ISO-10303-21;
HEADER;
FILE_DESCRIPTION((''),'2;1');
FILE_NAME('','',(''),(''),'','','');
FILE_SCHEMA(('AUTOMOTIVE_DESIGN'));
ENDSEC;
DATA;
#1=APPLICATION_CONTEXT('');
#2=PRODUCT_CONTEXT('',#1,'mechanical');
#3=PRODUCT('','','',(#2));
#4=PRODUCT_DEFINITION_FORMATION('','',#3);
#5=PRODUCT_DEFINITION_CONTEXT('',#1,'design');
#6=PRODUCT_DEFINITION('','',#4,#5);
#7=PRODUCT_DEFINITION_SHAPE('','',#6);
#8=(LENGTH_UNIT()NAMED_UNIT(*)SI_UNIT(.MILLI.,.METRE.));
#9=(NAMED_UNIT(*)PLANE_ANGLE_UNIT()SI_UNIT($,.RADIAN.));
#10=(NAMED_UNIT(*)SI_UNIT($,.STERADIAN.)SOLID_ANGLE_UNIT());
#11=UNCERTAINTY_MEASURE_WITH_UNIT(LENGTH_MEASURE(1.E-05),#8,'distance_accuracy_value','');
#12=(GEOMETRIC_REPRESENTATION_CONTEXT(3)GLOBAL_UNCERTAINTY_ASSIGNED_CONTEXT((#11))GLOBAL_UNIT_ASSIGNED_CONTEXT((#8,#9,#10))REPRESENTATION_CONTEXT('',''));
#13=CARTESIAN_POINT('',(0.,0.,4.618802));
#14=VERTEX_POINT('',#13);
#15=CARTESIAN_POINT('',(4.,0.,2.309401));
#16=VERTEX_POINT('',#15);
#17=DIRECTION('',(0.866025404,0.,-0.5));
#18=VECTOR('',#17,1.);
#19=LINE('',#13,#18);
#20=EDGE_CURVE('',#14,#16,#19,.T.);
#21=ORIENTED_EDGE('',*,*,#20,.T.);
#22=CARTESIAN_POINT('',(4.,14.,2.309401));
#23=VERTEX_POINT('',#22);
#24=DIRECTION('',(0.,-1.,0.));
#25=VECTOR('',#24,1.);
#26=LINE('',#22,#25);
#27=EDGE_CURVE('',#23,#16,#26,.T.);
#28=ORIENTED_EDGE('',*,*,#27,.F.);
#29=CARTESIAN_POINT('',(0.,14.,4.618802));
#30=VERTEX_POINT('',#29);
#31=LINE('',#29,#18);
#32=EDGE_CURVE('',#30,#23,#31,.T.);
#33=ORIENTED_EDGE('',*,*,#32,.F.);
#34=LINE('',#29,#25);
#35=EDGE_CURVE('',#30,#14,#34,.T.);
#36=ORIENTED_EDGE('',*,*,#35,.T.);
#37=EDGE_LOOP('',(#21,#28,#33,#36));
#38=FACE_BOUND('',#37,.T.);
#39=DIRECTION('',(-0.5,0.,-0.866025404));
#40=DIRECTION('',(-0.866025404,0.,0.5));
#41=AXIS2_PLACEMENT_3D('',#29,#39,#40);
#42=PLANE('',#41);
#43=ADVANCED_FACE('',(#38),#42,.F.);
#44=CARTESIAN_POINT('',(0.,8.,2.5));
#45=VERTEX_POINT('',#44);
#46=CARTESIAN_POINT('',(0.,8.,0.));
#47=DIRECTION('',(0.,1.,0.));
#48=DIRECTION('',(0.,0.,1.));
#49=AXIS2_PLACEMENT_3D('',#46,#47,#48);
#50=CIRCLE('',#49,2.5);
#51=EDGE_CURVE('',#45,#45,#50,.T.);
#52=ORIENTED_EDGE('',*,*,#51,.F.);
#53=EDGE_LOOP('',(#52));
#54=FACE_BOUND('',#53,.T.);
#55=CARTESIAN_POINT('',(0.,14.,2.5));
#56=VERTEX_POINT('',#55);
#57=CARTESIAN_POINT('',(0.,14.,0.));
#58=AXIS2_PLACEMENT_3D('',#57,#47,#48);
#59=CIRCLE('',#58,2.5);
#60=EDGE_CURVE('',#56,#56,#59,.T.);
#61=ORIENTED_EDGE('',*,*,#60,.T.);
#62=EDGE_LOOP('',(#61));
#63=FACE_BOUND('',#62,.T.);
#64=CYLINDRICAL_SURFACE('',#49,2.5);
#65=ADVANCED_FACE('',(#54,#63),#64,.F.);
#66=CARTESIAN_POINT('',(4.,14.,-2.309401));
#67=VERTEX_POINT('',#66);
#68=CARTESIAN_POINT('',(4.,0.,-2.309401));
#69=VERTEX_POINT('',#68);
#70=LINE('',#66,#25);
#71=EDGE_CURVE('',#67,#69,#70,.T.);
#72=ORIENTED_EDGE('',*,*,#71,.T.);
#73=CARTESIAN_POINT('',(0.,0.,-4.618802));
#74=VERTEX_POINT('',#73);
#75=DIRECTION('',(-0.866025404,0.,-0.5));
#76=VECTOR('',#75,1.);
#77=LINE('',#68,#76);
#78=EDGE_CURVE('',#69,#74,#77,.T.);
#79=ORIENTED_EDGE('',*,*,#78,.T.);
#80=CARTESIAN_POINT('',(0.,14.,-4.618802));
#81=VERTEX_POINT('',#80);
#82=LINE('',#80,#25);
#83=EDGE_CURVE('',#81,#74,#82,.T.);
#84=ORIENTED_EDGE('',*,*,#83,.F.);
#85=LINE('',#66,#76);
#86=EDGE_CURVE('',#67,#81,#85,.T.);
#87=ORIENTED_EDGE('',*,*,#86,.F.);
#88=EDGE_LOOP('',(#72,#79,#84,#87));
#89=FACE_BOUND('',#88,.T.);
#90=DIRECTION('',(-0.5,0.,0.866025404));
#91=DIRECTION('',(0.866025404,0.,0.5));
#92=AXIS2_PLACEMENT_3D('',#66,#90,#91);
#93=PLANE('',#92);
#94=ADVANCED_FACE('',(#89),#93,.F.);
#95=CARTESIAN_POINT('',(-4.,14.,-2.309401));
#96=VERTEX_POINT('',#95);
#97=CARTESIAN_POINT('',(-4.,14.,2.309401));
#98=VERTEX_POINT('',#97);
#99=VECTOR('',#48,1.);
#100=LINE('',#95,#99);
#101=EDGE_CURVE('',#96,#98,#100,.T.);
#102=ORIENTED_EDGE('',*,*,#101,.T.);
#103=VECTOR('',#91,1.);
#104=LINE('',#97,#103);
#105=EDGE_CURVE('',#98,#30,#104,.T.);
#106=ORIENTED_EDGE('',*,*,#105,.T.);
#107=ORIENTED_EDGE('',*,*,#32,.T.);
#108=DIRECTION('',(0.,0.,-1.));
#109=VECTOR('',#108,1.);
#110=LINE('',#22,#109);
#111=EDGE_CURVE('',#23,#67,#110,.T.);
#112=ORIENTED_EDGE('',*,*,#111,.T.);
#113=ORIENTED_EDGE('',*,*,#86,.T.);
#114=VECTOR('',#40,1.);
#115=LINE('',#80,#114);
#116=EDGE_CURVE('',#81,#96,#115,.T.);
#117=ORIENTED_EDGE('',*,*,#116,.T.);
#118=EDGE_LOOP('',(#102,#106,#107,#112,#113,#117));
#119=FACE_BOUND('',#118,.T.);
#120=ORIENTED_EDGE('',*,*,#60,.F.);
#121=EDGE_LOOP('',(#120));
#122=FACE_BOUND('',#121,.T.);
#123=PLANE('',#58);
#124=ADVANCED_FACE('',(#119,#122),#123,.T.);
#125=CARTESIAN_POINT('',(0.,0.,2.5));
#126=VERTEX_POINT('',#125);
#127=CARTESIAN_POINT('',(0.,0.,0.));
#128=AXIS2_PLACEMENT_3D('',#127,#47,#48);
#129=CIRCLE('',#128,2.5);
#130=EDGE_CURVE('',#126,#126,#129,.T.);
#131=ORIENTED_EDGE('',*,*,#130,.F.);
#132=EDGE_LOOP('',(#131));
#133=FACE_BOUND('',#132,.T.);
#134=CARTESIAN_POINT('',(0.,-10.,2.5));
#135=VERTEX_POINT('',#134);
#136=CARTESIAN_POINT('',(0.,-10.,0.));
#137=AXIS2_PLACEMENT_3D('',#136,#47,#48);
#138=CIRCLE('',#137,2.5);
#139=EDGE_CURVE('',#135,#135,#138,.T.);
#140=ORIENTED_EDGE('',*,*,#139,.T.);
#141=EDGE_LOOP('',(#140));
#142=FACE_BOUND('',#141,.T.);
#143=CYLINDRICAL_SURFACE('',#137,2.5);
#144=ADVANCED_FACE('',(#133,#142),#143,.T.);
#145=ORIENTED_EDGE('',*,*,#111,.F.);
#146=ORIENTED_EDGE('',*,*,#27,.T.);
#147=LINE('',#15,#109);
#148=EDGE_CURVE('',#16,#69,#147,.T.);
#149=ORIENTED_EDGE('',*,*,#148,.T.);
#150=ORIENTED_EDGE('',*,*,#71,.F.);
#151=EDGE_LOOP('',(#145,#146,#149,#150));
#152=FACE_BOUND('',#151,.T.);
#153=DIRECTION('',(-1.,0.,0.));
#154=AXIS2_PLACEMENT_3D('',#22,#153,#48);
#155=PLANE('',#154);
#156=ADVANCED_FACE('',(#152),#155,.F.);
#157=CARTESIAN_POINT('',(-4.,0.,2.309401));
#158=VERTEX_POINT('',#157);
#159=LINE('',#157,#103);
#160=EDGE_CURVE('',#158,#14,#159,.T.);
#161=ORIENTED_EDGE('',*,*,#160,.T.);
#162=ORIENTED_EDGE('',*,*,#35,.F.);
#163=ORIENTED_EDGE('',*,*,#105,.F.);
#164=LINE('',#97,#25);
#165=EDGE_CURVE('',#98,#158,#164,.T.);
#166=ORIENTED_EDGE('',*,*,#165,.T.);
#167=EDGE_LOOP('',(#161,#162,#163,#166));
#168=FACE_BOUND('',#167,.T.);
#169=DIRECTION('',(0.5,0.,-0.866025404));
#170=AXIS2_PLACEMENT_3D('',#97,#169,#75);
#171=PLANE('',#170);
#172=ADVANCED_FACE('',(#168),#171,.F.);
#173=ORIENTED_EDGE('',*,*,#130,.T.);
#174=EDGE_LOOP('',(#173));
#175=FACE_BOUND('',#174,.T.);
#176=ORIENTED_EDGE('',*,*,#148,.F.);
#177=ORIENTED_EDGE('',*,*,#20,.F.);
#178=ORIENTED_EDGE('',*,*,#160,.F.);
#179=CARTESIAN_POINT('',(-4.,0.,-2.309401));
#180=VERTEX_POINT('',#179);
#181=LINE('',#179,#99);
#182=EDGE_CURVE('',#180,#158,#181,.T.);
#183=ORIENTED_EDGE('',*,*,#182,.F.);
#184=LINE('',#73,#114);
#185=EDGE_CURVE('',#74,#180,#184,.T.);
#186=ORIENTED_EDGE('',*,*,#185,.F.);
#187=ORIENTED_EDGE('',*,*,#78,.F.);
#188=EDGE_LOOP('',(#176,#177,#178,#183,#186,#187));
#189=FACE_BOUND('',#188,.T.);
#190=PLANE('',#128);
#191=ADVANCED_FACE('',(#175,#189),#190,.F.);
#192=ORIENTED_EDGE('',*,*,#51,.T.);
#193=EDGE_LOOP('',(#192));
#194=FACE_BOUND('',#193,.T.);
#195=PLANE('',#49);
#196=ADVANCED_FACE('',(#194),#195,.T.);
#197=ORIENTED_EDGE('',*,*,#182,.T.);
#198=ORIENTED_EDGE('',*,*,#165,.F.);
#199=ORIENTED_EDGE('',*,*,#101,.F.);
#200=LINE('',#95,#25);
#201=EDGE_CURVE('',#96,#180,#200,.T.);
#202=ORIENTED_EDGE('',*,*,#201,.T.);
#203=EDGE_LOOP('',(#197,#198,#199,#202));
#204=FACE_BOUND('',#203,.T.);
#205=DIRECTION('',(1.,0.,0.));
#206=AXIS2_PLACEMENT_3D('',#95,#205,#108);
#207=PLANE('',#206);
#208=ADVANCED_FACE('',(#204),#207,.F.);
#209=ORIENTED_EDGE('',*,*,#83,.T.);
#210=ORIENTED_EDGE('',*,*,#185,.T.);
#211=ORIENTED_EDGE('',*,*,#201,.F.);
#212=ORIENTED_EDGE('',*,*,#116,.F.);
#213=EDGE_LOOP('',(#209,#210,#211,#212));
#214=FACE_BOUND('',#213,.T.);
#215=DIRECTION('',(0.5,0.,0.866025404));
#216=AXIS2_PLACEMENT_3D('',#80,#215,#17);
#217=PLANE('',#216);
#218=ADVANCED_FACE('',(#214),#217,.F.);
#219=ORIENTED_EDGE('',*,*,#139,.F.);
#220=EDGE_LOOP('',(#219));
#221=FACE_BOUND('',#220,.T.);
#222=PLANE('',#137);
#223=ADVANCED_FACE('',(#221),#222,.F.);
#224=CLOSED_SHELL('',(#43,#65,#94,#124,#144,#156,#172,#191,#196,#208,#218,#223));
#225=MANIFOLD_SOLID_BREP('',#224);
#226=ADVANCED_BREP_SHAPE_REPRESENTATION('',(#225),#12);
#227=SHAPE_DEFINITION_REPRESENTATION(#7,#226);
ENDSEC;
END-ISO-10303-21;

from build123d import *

# Parameters (mm, degrees)
BOSS_EXTRUDE1_DEPTH = 14
SKETCH1_3_R         = 2.5
BOSS_EXTRUDE2_DEPTH = 10
SKETCH3_R           = 2.5
CUT_EXTRUDE1_DEPTH  = 6


with BuildPart() as part:
    # Sketch1 → Boss-Extrude1 (new body)
    with BuildSketch(Plane(origin=(0, 0, 0), x_dir=(1, 0, 0), z_dir=(0, 1, 0))):
        Polygon((0, 4.618802154), (-4, 2.309401077), (-4, -2.309401077), (0, -4.618802154), (4, -2.309401077), (4, 2.309401077), align=None)
    extrude(amount=BOSS_EXTRUDE1_DEPTH)

    # Sketch1<3> → Boss-Extrude2 (add)
    with BuildSketch(Plane(origin=(0, 0, 0), x_dir=(1, 0, 0), z_dir=(0, 1, 0))):
        Circle(SKETCH1_3_R)
    extrude(amount=-BOSS_EXTRUDE2_DEPTH)

    # Sketch3 → Cut-Extrude1 (cut)
    with BuildSketch(Plane(origin=(0, 14, 0), x_dir=(1, 0, 0), z_dir=(0, 1, 0))):
        Circle(SKETCH3_R)
    extrude(amount=-CUT_EXTRUDE1_DEPTH, mode=Mode.SUBTRACT)


solid = part.part
